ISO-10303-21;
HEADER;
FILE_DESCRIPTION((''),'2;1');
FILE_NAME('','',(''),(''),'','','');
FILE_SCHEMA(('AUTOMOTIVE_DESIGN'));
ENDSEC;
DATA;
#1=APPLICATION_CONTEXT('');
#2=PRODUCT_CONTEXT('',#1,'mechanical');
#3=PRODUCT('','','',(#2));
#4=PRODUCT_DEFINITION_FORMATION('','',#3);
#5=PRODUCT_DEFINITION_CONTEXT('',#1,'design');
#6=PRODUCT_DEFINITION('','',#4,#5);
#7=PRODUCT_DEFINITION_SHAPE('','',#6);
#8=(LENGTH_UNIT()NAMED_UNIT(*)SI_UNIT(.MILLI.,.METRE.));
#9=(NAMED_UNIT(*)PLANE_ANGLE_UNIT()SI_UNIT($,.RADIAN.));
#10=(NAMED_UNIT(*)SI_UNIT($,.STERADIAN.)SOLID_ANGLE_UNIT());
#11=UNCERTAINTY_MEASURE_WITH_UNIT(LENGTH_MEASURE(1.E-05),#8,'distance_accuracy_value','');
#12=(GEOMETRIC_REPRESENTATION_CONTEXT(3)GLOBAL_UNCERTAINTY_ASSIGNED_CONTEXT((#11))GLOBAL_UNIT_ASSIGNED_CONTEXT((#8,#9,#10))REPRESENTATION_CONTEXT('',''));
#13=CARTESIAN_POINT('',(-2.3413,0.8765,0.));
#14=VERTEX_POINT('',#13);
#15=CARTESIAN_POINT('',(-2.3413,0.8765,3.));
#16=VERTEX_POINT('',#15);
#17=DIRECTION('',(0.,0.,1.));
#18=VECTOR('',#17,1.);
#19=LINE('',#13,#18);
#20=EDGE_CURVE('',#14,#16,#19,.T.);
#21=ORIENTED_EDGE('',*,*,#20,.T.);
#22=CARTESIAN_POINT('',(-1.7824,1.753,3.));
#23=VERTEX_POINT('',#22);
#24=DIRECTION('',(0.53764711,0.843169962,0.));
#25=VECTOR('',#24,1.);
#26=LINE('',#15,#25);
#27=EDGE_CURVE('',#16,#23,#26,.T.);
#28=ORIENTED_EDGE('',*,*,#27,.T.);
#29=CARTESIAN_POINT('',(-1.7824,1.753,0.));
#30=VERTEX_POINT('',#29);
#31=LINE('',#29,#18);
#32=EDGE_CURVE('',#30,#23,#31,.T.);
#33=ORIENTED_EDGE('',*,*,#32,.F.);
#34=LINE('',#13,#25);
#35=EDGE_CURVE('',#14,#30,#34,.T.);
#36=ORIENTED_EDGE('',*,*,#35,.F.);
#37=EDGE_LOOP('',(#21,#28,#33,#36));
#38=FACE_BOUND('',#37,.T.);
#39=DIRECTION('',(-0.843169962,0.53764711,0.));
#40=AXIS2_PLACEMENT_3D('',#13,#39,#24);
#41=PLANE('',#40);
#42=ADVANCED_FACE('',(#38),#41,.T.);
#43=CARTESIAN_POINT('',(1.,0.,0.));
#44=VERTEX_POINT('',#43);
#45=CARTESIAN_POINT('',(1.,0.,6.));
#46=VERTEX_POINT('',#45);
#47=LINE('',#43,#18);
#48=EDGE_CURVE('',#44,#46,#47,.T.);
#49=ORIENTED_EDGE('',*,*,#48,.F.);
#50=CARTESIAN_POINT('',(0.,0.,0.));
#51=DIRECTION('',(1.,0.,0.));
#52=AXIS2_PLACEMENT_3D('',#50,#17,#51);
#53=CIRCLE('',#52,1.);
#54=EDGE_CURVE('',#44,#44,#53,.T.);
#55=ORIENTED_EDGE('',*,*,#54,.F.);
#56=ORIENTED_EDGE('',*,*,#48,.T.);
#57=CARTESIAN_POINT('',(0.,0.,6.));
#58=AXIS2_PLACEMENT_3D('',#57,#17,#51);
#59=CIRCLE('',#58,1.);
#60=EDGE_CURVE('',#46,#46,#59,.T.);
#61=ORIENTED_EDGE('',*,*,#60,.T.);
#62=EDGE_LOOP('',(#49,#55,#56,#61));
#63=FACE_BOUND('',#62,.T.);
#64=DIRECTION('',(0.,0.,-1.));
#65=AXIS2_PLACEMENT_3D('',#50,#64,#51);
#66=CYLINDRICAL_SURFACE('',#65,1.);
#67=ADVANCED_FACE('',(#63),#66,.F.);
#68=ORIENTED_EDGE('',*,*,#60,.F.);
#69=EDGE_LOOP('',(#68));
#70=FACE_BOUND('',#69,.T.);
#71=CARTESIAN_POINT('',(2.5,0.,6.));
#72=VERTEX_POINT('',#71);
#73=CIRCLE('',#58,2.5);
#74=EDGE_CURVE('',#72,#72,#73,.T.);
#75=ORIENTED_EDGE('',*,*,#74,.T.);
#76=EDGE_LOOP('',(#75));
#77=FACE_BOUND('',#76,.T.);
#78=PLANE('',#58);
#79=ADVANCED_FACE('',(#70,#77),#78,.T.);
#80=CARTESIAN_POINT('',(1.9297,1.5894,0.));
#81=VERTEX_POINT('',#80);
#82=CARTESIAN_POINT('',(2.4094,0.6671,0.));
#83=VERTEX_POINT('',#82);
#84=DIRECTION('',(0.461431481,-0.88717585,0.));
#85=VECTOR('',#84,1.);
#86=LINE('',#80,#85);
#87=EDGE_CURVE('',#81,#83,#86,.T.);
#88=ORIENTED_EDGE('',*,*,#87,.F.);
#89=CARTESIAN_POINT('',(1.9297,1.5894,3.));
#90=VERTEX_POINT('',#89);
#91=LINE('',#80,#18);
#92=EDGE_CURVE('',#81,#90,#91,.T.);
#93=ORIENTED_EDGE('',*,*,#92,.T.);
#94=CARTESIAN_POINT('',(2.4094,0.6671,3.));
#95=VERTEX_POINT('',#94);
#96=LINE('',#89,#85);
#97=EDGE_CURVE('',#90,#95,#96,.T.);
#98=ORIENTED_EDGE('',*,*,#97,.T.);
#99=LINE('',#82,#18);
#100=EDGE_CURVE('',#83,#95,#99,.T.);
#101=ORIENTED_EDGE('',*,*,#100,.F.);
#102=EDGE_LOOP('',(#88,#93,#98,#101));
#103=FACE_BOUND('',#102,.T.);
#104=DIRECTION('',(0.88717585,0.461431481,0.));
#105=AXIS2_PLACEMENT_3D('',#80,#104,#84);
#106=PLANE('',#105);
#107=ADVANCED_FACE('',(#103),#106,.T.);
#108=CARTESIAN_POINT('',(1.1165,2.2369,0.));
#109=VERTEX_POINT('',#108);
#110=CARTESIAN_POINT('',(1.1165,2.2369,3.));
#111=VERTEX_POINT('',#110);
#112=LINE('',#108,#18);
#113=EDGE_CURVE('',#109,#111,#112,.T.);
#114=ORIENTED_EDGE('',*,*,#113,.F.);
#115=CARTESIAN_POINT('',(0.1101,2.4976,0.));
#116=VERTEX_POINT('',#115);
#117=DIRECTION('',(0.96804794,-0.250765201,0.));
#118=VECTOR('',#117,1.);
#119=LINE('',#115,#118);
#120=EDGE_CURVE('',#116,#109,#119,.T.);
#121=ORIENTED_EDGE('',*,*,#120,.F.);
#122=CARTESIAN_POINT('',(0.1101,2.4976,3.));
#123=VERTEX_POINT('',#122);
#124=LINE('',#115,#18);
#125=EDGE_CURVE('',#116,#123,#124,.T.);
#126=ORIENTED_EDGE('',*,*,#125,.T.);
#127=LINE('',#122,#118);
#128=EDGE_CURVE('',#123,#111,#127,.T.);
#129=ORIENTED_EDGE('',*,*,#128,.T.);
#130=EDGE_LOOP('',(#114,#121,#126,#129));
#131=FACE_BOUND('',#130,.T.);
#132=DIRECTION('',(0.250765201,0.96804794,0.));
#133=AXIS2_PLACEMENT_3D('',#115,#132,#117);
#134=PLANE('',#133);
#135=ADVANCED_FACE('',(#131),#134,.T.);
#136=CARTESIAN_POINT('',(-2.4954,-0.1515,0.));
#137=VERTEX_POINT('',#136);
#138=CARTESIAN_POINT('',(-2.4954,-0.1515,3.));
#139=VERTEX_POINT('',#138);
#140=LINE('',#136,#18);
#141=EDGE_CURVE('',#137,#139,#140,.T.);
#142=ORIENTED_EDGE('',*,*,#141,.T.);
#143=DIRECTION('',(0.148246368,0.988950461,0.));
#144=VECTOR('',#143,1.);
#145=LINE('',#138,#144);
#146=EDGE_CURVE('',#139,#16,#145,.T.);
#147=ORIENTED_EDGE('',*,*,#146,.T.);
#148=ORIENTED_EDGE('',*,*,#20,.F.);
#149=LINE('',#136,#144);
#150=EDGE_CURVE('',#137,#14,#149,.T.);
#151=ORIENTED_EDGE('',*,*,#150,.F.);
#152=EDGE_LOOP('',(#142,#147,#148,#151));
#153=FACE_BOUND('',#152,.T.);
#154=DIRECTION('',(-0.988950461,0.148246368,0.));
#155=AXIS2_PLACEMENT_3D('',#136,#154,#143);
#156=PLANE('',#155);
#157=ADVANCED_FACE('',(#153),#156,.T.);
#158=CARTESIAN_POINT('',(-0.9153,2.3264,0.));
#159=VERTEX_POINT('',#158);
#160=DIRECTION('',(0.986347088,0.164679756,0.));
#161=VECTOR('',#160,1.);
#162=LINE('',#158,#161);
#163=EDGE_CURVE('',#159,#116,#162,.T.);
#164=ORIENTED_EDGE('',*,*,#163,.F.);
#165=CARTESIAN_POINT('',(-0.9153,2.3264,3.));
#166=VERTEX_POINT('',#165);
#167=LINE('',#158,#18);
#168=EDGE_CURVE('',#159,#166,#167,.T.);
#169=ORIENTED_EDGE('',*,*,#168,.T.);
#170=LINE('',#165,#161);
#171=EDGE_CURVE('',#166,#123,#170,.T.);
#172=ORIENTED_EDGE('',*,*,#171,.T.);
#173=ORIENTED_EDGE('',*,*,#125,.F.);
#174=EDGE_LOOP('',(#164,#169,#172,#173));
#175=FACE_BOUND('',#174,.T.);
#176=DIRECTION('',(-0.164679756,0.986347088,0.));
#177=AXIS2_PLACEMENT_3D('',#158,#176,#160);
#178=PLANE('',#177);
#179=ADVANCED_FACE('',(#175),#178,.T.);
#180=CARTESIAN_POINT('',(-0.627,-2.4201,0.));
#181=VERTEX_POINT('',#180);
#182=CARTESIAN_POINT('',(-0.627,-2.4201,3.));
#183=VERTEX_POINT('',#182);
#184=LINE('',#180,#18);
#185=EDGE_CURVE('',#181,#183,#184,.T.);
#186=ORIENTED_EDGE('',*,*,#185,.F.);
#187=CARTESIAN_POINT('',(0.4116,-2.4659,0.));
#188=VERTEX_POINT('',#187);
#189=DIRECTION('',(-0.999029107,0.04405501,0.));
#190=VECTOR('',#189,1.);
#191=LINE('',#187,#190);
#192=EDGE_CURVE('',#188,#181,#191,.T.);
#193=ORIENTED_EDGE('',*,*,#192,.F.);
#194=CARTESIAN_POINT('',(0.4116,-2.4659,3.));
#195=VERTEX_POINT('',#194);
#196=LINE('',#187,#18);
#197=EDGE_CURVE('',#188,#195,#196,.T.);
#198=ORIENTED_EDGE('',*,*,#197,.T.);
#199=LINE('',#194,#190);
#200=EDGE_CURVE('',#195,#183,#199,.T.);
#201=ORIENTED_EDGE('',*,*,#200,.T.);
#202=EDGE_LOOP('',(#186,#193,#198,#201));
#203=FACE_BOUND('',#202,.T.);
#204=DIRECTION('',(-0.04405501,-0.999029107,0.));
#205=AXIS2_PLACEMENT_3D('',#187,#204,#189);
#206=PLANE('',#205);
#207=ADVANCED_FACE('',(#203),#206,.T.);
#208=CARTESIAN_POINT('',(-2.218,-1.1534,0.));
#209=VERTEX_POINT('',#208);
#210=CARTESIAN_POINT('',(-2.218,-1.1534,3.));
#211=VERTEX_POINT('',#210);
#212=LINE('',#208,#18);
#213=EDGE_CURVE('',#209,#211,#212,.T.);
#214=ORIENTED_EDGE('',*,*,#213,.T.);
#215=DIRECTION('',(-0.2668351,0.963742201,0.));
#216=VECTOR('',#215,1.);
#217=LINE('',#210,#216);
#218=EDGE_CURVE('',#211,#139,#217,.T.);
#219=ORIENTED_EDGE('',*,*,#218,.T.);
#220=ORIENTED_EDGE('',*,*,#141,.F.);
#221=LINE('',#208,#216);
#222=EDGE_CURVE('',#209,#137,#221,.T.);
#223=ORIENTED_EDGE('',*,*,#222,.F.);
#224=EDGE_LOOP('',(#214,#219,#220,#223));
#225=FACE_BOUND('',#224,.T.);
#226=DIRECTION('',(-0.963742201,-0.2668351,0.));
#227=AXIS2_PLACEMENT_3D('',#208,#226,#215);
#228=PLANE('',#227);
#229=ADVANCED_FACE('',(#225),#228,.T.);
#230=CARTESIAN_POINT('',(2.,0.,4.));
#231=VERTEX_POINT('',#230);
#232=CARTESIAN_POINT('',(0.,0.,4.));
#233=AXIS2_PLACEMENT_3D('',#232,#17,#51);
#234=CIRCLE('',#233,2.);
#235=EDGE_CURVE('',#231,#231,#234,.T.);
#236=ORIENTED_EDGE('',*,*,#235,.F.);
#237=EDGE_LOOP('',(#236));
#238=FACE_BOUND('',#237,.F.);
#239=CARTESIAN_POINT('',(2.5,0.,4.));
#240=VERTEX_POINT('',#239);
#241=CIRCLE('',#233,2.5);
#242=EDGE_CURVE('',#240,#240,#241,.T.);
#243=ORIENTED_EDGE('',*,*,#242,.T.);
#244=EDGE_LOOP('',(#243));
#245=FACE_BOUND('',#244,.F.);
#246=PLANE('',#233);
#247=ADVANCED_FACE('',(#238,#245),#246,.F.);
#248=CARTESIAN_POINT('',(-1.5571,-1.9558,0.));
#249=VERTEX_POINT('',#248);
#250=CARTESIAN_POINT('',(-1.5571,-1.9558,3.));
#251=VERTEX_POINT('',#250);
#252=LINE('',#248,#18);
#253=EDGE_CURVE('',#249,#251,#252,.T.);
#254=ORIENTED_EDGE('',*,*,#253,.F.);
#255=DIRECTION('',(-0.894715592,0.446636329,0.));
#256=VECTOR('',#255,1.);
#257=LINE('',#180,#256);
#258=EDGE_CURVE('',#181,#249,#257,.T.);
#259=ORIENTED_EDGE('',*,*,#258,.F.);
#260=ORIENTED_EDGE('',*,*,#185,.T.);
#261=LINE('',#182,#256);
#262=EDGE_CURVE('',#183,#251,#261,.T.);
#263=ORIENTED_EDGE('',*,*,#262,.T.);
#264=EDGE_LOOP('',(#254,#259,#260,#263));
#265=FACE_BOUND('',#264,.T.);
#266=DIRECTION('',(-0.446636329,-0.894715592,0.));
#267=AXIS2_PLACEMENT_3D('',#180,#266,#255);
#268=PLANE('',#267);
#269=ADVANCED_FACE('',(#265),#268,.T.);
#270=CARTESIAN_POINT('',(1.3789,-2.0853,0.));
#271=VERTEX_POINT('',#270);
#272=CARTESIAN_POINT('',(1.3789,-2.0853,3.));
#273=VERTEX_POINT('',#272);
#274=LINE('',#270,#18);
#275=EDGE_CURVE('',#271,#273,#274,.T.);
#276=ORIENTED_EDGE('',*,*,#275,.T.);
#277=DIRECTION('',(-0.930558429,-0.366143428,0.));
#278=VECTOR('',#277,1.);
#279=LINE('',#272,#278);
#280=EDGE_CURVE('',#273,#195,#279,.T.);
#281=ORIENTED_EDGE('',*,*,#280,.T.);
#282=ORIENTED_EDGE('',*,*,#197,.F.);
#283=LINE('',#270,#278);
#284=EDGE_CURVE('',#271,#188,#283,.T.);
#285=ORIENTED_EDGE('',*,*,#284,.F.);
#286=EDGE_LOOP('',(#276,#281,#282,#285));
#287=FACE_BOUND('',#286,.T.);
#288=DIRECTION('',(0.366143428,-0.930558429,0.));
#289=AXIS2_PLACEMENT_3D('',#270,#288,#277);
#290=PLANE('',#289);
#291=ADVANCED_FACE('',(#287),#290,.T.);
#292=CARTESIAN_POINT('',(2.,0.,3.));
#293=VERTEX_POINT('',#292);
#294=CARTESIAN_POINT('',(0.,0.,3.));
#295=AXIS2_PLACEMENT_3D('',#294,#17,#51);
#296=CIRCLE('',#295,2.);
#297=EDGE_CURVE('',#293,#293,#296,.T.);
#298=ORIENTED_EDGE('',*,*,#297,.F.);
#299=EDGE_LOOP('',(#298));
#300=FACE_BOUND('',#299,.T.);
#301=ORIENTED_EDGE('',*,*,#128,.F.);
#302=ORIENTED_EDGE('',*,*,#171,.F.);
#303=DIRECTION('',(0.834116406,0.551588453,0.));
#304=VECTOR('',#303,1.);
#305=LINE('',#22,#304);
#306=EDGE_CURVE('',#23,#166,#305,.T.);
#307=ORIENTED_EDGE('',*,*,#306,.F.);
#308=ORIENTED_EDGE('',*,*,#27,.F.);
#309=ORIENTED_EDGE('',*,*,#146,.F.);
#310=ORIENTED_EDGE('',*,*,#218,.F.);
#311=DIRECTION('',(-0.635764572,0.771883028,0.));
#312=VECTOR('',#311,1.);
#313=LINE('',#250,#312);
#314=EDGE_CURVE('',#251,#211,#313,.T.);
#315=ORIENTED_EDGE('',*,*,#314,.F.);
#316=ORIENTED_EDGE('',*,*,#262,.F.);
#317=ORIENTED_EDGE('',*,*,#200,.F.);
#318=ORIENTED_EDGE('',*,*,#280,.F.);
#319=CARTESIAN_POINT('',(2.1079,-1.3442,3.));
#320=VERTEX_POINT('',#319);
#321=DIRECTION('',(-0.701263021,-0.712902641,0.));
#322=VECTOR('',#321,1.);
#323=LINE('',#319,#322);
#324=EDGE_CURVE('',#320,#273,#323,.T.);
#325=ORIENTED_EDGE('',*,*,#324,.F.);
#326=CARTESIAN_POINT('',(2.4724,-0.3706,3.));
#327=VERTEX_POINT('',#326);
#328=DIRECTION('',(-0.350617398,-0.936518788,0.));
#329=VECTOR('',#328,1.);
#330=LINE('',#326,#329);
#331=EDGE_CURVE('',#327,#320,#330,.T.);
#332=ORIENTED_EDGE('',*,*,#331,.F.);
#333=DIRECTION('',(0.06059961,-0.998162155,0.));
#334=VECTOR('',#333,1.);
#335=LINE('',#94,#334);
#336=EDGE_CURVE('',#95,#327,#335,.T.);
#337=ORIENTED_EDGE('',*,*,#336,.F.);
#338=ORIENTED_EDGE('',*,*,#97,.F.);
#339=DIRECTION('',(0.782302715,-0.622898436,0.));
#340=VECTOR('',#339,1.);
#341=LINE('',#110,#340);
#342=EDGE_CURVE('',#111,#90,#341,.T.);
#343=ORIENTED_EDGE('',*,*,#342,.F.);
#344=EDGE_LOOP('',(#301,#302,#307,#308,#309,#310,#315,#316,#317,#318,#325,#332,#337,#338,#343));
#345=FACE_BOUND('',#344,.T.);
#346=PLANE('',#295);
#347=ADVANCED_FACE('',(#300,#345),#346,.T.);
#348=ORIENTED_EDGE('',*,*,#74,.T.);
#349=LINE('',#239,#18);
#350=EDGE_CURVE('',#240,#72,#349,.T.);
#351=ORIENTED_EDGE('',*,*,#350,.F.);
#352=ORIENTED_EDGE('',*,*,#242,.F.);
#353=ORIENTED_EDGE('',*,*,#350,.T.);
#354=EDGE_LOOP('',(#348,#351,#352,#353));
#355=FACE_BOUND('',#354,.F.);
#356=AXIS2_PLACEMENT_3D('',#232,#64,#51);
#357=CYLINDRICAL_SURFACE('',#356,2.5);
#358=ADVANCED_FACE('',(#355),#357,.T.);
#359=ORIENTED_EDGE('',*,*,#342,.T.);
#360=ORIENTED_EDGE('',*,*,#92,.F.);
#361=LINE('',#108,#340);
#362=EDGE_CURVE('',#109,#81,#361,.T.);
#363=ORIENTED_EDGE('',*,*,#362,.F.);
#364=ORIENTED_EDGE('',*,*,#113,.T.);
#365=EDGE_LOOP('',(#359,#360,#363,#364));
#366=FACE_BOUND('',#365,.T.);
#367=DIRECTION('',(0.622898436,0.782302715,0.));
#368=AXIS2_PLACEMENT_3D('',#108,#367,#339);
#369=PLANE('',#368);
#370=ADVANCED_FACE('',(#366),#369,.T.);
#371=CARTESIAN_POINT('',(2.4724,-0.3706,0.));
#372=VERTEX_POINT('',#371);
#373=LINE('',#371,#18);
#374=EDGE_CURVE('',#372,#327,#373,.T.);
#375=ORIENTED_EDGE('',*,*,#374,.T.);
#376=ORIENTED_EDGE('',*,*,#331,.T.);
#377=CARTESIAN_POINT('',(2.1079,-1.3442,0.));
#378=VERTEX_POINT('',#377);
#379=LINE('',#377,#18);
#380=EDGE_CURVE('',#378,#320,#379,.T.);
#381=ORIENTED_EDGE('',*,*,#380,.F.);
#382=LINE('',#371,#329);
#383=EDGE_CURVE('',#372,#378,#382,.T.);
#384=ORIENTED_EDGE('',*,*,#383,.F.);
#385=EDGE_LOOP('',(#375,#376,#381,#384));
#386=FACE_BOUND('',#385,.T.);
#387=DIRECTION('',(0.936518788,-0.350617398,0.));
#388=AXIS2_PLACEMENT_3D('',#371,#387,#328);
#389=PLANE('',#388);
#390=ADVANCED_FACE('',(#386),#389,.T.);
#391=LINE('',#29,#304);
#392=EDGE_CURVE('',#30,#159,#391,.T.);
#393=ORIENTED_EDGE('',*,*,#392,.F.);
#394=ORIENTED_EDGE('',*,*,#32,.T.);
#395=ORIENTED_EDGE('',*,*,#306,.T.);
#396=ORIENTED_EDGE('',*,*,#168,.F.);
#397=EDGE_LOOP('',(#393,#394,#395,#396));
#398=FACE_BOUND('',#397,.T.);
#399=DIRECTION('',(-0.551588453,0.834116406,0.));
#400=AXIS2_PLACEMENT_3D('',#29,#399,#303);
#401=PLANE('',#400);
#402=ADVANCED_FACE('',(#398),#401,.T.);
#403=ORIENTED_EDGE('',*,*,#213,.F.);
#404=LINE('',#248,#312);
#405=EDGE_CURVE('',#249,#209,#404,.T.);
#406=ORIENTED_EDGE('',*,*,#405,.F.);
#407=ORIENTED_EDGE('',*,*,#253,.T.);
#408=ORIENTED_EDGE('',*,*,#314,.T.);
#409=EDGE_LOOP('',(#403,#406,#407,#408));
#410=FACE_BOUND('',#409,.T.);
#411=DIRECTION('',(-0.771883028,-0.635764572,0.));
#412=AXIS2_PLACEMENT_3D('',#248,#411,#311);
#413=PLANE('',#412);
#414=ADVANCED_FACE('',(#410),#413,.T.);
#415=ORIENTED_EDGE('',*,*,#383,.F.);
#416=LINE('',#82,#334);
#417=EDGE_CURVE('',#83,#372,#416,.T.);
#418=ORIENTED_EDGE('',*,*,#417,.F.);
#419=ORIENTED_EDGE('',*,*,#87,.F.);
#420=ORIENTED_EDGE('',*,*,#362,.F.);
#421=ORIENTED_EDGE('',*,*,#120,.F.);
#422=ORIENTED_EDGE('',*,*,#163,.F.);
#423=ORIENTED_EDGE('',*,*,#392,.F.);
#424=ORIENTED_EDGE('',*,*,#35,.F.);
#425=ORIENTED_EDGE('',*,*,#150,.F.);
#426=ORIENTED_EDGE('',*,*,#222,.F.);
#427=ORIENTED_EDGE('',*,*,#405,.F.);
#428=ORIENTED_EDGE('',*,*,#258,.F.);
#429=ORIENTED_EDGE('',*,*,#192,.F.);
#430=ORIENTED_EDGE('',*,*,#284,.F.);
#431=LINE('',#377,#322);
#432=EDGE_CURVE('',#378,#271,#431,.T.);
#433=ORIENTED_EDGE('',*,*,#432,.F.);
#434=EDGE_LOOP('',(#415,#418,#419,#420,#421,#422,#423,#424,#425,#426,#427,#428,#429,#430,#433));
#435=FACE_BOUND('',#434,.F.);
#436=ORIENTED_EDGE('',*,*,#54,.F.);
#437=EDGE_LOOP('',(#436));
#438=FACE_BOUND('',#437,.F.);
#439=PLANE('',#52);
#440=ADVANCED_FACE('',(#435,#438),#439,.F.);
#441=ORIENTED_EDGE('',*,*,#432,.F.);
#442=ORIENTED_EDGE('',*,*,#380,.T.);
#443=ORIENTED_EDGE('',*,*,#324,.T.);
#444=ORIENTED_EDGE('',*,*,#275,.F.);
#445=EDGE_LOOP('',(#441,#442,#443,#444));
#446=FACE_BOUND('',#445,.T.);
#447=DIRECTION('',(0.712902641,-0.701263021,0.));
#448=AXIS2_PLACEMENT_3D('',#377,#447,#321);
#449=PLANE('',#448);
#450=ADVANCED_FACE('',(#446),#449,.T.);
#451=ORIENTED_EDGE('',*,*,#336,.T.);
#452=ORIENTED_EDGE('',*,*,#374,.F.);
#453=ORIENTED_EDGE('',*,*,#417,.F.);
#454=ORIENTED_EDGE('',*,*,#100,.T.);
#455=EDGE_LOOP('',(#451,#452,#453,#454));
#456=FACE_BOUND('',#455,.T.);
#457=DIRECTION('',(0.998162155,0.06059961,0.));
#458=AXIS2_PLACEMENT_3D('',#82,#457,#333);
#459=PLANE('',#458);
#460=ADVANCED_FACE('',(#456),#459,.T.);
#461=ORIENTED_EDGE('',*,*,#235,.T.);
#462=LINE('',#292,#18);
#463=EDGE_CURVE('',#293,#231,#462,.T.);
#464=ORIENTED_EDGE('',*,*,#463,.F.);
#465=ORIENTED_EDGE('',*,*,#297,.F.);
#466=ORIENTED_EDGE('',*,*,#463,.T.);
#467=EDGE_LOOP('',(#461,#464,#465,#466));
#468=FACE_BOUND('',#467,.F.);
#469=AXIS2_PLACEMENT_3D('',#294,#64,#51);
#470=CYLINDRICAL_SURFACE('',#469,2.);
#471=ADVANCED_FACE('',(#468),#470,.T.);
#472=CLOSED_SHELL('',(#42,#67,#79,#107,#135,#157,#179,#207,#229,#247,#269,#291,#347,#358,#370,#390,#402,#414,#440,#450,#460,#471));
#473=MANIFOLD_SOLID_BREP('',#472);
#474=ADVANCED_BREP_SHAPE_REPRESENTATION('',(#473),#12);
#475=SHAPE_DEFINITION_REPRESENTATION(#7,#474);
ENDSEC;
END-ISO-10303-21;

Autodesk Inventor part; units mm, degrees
ref_plane "YZ Plane" through (0, 0, 0) normal (1, 0, 0) x (0, 1, 0)
ref_plane "XZ Plane" through (0, 0, 0) normal (0, 1, 0) x (-1, 0, 0)
ref_plane "XY Plane" through (0, 0, 0) normal (0, 0, 1) x (1, 0, 0)
sketch "Sketch1" plane through (0, 0, 0) normal (0, 0, 1) x (1, 0, 0)
  line L0 (2.4094, 0.6671) -> (2.4724, -0.3706)
  line L1 (2.4724, -0.3706) -> (2.1079, -1.3442)
  line L2 (2.1079, -1.3442) -> (1.3789, -2.0853)
  line L3 (1.3789, -2.0853) -> (0.4116, -2.4659)
  line L4 (0.4116, -2.4659) -> (-0.627, -2.4201)
  line L5 (-0.627, -2.4201) -> (-1.5571, -1.9558)
  line L6 (-1.5571, -1.9558) -> (-2.218, -1.1534)
  line L7 (-2.218, -1.1534) -> (-2.4954, -0.1515)
  line L8 (-2.4954, -0.1515) -> (-2.3413, 0.8765)
  line L9 (-2.3413, 0.8765) -> (-1.7824, 1.753)
  line L10 (-1.7824, 1.753) -> (-0.9153, 2.3264)
  line L11 (-0.9153, 2.3264) -> (0.1101, 2.4976)
  line L12 (0.1101, 2.4976) -> (1.1165, 2.2369)
  line L13 (1.1165, 2.2369) -> (1.9297, 1.5894)
  line L14 (1.9297, 1.5894) -> (2.4094, 0.6671)
  circle A0 centre (0, 0) radius 1
  dimension "d1" = 2
extrude "Extrusion1" add sketch "Sketch1" along normal blind 3
sketch "Sketch2" plane through (0, 0, 3) normal (0, 0, 1) x (1, 0, 0)
  circle A0 centre (0, 0) radius 1 projected
  line L0 (2.4724, -0.3706) -> (2.4094, 0.6671) projected
  line L1 (2.4094, 0.6671) -> (1.9297, 1.5894) projected
  line L2 (1.9297, 1.5894) -> (1.1165, 2.2369) projected
  line L3 (1.1165, 2.2369) -> (0.1101, 2.4976) projected
  line L4 (0.1101, 2.4976) -> (-0.9153, 2.3264) projected
  line L5 (-0.9153, 2.3264) -> (-1.7824, 1.753) projected
  line L6 (-1.7824, 1.753) -> (-2.3413, 0.8765) projected
  line L7 (-2.3413, 0.8765) -> (-2.4954, -0.1515) projected
  line L8 (-2.4954, -0.1515) -> (-2.218, -1.1534) projected
  line L9 (-2.218, -1.1534) -> (-1.5571, -1.9558) projected
  line L10 (-1.5571, -1.9558) -> (-0.627, -2.4201) projected
  line L11 (-0.627, -2.4201) -> (0.4116, -2.4659) projected
  line L12 (0.4116, -2.4659) -> (1.3789, -2.0853) projected
  line L13 (1.3789, -2.0853) -> (2.1079, -1.3442) projected
  line L14 (2.1079, -1.3442) -> (2.4724, -0.3706) projected
  circle A1 centre (0, 0) radius 2
  dimension "d4" = 4
extrude "Extrusion2" add sketch "Sketch2" along normal blind 1 contours A1
sketch "Sketch3" plane through (0, 0, 4) normal (0, 0, 1) x (1, 0, 0)
  circle A0 centre (0, 0) radius 1 projected
  circle A1 centre (0, 0) radius 2 projected
  circle A2 centre (0, 0) radius 2.5
  dimension "d7" = 5
extrude "Extrusion3" add sketch "Sketch3" along normal blind 2 contours A1 | A2
properties part number "servo 2"
